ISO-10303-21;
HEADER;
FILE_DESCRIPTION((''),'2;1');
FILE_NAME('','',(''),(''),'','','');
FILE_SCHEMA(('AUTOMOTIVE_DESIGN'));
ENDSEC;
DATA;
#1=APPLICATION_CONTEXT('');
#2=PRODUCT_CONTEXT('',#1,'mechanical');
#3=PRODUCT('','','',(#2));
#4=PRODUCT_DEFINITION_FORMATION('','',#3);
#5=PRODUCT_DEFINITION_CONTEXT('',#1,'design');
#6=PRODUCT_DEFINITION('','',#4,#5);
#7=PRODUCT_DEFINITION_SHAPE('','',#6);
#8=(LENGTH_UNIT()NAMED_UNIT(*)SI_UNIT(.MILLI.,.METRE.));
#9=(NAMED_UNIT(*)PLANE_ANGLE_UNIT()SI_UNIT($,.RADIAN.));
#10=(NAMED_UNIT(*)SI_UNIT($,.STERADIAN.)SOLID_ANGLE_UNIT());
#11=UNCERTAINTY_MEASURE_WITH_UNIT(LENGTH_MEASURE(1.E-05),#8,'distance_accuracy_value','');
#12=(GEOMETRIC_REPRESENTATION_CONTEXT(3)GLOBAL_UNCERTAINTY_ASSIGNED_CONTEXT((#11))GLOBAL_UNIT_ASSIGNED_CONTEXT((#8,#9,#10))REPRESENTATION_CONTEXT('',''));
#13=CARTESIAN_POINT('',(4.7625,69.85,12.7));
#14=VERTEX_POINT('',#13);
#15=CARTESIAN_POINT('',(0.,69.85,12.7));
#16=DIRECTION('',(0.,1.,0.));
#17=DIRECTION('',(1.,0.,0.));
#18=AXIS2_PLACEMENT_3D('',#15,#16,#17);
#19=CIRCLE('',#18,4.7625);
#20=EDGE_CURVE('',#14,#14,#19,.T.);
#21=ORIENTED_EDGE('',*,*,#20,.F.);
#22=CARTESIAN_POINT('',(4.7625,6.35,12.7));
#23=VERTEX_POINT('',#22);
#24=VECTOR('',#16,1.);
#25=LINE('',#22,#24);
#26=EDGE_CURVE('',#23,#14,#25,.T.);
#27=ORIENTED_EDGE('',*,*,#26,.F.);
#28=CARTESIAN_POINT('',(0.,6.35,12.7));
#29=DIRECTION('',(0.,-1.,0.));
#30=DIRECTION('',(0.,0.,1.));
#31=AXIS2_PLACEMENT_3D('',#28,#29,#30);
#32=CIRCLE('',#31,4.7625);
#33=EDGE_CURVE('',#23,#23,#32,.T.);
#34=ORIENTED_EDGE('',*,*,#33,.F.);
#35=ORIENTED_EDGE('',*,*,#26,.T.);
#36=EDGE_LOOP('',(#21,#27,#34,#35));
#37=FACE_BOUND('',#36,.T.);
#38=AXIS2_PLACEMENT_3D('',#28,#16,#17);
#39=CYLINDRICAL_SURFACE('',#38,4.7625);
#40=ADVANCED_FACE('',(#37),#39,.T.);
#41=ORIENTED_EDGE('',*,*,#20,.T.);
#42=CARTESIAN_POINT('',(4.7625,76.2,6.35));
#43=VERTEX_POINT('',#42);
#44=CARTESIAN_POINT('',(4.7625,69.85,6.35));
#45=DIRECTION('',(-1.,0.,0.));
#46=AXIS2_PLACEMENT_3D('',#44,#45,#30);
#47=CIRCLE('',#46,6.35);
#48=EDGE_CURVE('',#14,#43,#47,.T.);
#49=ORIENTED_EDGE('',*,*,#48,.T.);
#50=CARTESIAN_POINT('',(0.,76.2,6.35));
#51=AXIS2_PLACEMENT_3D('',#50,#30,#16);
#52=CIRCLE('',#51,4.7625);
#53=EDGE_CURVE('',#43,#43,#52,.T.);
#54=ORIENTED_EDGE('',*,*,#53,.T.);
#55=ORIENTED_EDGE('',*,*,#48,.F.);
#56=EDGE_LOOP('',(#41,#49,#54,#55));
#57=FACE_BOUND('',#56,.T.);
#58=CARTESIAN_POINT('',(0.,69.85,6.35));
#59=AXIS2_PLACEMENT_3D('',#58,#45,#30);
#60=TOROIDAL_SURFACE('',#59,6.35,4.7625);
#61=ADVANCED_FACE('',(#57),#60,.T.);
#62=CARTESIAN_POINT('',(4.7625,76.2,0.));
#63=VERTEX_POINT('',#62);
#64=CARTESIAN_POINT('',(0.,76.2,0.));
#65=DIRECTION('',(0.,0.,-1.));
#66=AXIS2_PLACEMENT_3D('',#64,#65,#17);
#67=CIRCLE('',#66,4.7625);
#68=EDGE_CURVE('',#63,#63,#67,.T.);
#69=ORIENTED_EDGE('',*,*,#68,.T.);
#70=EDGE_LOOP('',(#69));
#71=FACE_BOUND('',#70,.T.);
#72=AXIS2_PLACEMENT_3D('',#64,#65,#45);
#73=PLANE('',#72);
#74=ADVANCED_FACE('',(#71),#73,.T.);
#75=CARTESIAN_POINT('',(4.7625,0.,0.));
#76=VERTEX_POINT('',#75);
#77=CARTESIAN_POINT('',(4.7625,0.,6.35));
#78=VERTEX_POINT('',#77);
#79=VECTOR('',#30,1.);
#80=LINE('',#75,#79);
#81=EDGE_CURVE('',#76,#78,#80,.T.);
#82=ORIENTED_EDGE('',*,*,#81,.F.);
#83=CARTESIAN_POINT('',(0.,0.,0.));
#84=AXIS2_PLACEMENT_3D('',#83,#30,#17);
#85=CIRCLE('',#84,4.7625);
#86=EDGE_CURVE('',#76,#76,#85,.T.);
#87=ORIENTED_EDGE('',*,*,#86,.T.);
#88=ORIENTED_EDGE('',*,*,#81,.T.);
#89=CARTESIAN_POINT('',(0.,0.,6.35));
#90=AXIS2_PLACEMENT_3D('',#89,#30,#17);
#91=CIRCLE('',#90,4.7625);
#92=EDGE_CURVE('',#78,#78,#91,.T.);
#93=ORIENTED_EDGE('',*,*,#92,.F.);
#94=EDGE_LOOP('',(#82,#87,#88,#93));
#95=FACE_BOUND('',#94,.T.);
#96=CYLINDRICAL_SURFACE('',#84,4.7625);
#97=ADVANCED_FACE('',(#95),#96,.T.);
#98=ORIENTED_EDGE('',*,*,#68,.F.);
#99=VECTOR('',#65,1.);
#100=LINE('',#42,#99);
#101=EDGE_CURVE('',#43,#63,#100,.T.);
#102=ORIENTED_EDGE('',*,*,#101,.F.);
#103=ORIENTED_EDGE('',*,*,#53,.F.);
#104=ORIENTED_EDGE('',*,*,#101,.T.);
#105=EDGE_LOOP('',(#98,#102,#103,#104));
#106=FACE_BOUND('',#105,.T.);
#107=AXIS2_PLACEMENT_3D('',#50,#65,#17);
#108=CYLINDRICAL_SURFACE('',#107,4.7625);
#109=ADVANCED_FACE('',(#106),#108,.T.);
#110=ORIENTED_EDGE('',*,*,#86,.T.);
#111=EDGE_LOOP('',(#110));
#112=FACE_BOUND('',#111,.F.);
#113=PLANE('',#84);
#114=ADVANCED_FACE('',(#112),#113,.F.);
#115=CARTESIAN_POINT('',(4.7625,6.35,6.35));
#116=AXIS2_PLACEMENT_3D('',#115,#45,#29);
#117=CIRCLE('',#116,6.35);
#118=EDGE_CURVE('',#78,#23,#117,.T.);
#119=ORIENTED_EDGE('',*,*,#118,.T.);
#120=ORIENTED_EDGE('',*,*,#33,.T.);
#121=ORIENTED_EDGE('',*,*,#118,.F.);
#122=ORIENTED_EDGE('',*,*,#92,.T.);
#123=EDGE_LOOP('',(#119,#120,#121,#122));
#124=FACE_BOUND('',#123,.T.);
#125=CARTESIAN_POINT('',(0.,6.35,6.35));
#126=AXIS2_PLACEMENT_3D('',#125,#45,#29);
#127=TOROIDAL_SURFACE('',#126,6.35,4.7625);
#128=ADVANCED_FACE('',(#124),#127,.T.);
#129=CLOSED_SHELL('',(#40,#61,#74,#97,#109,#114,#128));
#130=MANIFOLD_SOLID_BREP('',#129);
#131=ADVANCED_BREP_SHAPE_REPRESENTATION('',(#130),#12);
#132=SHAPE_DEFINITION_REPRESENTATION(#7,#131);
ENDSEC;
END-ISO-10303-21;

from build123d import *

# Parameters (mm, degrees)
F1_R = 4.7625


with BuildPart() as f2:
    # F2: sweep along a path in F0
    with BuildLine(Plane.YZ) as f2_path:
        Line((0, 0), (0, 6.35))
        ThreePointArc((0, 6.35), (1.8598719395, 10.8401280605), (6.35, 12.7))
        Line((6.35, 12.7), (69.85, 12.7))
        ThreePointArc((69.85, 12.7), (74.3401280605, 10.8401280605), (76.2, 6.35))
        Line((76.2, 6.35), (76.2, 0))
    # F1 (on Top) → F2 (sweep)
    with BuildSketch(Plane.XY):
        Circle(F1_R)
    sweep(path=f2_path.line)


solid = f2.part
